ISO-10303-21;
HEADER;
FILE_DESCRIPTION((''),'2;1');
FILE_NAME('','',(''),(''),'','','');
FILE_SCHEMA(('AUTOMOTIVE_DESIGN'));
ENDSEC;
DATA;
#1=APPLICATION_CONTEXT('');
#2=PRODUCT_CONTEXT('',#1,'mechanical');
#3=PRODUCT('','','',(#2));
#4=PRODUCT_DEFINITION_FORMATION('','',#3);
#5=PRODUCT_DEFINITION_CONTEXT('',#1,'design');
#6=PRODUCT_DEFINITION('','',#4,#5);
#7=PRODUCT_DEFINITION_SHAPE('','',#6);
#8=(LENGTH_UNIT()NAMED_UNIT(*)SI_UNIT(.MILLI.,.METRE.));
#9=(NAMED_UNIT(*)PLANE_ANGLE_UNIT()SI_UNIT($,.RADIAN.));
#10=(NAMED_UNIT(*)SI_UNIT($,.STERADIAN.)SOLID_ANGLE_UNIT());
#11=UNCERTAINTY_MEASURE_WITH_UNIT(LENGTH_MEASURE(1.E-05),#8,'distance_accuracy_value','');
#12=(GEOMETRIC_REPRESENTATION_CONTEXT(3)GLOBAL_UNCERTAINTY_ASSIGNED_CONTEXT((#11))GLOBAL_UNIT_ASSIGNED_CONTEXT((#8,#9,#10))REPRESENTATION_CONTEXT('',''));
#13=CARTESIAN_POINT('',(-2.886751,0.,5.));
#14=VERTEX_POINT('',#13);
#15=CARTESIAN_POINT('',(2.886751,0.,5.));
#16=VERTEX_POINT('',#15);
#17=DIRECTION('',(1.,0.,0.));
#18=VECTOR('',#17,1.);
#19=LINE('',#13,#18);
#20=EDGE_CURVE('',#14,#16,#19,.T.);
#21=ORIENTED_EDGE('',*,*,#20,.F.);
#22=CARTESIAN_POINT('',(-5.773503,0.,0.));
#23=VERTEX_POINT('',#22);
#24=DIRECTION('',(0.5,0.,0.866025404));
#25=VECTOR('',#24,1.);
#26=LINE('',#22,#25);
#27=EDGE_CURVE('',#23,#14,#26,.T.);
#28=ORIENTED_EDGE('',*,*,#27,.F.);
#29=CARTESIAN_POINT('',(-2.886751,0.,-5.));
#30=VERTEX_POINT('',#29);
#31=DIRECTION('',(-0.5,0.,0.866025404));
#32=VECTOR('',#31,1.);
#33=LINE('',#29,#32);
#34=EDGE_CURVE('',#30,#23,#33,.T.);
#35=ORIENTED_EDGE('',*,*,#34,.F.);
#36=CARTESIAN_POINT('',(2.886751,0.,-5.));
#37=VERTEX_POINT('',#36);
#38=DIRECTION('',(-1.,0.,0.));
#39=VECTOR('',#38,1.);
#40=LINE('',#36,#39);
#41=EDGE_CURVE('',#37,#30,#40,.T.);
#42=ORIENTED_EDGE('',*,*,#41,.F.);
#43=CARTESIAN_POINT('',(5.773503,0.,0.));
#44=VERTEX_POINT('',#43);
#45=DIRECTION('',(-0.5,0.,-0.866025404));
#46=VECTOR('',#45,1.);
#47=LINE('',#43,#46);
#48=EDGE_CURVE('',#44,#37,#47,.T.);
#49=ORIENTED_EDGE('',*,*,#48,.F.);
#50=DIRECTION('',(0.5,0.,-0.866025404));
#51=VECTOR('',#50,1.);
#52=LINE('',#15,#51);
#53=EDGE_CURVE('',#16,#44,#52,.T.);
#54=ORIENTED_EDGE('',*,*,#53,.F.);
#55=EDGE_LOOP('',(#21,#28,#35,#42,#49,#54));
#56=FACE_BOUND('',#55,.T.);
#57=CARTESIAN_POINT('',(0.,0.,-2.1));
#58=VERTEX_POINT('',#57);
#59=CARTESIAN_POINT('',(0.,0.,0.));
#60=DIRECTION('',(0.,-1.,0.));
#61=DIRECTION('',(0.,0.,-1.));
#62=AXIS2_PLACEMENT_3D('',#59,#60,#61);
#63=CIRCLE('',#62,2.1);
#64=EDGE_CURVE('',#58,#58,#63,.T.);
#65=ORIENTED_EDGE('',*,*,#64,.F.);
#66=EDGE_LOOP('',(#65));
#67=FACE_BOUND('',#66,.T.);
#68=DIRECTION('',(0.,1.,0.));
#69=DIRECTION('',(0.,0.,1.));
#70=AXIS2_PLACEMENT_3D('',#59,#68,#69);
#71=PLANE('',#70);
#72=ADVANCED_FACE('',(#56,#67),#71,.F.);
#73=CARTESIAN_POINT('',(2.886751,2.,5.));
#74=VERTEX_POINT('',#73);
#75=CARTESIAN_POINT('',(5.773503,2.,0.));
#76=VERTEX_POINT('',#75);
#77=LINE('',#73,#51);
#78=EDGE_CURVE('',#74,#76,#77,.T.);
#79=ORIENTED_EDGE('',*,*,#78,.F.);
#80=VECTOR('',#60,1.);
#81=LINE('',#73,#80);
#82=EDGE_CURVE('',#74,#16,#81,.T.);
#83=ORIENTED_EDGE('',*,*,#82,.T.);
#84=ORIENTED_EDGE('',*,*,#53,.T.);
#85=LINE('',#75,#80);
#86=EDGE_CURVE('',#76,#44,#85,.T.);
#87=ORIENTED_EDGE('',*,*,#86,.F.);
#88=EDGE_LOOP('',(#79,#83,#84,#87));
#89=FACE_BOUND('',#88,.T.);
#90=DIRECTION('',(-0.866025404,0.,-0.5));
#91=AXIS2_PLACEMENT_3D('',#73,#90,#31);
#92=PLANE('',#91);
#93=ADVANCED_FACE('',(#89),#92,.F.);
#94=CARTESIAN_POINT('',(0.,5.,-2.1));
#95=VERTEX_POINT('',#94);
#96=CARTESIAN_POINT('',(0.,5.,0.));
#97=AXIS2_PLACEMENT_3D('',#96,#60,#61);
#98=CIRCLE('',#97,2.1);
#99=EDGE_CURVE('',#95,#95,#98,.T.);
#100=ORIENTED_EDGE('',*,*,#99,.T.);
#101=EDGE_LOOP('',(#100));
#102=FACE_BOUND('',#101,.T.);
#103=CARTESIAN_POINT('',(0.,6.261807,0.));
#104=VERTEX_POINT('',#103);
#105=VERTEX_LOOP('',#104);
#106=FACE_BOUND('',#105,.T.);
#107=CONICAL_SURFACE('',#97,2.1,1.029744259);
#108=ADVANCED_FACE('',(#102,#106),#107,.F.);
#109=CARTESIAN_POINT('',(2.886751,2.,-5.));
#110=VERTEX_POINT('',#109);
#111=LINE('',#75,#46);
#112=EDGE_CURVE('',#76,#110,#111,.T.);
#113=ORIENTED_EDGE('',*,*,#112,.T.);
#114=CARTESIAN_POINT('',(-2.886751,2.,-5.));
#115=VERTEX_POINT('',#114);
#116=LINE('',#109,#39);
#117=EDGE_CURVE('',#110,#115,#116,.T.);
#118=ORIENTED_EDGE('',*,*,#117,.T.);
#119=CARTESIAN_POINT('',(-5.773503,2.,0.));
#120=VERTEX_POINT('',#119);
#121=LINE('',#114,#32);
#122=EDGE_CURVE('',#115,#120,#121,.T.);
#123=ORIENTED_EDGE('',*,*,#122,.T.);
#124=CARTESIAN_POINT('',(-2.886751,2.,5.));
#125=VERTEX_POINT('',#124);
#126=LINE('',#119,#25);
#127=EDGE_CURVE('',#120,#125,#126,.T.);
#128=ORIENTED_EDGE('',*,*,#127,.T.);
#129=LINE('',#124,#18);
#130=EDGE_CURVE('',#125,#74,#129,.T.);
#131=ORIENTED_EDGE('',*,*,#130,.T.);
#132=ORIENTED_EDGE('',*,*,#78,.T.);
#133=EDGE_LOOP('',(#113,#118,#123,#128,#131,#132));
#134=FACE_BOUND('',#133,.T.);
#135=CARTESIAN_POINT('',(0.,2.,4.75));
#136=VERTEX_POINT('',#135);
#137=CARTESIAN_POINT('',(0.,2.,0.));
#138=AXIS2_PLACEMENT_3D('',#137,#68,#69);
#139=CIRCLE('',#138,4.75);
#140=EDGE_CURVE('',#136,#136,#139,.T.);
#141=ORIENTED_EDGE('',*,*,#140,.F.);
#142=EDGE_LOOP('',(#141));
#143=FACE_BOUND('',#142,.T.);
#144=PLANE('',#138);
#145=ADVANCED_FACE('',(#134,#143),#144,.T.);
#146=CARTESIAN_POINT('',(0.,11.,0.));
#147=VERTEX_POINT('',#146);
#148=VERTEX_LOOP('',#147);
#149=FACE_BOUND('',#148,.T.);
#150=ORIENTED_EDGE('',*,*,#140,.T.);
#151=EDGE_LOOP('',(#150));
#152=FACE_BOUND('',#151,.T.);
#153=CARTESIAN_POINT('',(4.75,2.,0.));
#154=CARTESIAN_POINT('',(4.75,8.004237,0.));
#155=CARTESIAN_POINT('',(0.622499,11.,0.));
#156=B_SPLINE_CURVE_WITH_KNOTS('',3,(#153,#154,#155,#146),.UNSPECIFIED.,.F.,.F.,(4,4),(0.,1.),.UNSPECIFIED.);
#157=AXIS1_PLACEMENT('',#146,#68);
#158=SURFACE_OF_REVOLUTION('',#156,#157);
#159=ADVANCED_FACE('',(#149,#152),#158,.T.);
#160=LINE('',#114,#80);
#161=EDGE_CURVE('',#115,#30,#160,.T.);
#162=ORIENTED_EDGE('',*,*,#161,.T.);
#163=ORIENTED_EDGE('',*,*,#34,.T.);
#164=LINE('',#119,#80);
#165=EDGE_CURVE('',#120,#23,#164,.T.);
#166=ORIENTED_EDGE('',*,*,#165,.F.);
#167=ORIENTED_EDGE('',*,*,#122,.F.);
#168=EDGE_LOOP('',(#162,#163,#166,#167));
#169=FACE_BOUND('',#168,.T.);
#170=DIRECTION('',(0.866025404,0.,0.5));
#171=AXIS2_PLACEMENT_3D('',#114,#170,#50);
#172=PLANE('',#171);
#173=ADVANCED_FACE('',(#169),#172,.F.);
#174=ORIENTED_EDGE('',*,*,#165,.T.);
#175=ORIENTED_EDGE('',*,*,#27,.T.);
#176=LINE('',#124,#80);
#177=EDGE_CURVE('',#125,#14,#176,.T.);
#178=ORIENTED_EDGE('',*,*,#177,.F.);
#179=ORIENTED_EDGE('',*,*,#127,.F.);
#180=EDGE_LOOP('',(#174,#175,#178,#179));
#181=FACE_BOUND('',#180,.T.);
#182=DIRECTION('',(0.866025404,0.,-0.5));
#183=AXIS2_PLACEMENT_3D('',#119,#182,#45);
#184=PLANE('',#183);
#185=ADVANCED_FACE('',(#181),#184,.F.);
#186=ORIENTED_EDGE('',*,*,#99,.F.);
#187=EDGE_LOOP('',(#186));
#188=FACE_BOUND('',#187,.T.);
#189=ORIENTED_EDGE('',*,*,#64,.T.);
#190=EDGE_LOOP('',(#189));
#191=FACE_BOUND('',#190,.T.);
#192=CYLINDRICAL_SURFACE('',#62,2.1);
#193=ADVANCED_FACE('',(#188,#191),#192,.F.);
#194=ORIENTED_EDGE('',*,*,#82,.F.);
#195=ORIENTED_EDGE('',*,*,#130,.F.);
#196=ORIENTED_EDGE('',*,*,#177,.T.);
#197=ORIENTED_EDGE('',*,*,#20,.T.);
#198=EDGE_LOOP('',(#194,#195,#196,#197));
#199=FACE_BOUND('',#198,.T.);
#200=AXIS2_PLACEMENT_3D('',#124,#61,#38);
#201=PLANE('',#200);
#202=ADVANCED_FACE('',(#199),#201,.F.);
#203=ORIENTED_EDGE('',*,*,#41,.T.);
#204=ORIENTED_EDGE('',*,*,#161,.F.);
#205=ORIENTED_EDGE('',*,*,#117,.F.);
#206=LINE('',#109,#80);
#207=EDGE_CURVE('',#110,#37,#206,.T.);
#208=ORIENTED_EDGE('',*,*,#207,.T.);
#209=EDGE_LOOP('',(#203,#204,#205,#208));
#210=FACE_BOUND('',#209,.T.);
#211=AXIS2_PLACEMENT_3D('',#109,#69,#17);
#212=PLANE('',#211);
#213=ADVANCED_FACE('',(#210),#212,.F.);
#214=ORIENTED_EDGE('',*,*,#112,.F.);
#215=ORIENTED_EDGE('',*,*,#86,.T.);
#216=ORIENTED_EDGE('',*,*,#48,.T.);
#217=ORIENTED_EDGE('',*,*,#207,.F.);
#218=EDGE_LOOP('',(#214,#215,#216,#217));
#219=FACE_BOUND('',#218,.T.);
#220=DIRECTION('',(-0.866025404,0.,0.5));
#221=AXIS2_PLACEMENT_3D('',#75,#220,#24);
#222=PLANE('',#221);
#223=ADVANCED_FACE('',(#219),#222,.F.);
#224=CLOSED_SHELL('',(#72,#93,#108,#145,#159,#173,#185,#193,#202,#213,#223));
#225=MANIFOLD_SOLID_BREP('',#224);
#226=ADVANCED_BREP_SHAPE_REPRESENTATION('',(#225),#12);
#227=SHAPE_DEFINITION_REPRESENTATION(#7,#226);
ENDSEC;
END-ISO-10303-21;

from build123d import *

# Parameters (mm, degrees)
BOSS_EXTRUDE1_DEPTH       = 2
M5X0_8_TAPPED_HOLE1_D     = 4.2
M5X0_8_TAPPED_HOLE1_DEPTH = 5
M5X0_8_TAPPED_HOLE1_TIP   = 1.2618073


with BuildPart() as part:
    # Sketch1 → Boss-Extrude1 (new body)
    with BuildSketch(Plane(origin=(0, 0, 0), x_dir=(1, 0, 0), z_dir=(0, 1, 0))):
        Polygon((2.886751346, 5), (-2.886751346, 5), (-5.773502692, 0), (-2.886751346, -5), (2.886751346, -5), (5.773502692, 0), align=None)
    extrude(amount=BOSS_EXTRUDE1_DEPTH)

    # Sketch2 → Revolve1 (revolve)
    with BuildSketch(Plane.XY):
        with BuildLine():
            Line((4.75, 2), (0, 2))
            Line((0, 2), (0, 11))
            add(Edge.make_bspline(
                [(0, 11), (0.622499022, 11), (4.75, 8.004236855), (4.75, 2)],
                knots=[0, 0, 0, 0, 1, 1, 1, 1], degree=3))
        make_face()
    revolve(axis=Axis((0, 11, 0), (0, -1, 0)))

    # M5x0.8 Tapped Hole1
    with Locations(Plane(origin=(0, 0, 0), x_dir=(-1, 0, 0), z_dir=(0, -1, 0))):
        with Locations((0, 0)):
            Hole(M5X0_8_TAPPED_HOLE1_D / 2, depth=M5X0_8_TAPPED_HOLE1_DEPTH)
            with Locations((0, 0, -(M5X0_8_TAPPED_HOLE1_DEPTH + M5X0_8_TAPPED_HOLE1_TIP / 2))):  # 118° drill point
                Cone(0, M5X0_8_TAPPED_HOLE1_D / 2, M5X0_8_TAPPED_HOLE1_TIP, mode=Mode.SUBTRACT)


solid = part.part
